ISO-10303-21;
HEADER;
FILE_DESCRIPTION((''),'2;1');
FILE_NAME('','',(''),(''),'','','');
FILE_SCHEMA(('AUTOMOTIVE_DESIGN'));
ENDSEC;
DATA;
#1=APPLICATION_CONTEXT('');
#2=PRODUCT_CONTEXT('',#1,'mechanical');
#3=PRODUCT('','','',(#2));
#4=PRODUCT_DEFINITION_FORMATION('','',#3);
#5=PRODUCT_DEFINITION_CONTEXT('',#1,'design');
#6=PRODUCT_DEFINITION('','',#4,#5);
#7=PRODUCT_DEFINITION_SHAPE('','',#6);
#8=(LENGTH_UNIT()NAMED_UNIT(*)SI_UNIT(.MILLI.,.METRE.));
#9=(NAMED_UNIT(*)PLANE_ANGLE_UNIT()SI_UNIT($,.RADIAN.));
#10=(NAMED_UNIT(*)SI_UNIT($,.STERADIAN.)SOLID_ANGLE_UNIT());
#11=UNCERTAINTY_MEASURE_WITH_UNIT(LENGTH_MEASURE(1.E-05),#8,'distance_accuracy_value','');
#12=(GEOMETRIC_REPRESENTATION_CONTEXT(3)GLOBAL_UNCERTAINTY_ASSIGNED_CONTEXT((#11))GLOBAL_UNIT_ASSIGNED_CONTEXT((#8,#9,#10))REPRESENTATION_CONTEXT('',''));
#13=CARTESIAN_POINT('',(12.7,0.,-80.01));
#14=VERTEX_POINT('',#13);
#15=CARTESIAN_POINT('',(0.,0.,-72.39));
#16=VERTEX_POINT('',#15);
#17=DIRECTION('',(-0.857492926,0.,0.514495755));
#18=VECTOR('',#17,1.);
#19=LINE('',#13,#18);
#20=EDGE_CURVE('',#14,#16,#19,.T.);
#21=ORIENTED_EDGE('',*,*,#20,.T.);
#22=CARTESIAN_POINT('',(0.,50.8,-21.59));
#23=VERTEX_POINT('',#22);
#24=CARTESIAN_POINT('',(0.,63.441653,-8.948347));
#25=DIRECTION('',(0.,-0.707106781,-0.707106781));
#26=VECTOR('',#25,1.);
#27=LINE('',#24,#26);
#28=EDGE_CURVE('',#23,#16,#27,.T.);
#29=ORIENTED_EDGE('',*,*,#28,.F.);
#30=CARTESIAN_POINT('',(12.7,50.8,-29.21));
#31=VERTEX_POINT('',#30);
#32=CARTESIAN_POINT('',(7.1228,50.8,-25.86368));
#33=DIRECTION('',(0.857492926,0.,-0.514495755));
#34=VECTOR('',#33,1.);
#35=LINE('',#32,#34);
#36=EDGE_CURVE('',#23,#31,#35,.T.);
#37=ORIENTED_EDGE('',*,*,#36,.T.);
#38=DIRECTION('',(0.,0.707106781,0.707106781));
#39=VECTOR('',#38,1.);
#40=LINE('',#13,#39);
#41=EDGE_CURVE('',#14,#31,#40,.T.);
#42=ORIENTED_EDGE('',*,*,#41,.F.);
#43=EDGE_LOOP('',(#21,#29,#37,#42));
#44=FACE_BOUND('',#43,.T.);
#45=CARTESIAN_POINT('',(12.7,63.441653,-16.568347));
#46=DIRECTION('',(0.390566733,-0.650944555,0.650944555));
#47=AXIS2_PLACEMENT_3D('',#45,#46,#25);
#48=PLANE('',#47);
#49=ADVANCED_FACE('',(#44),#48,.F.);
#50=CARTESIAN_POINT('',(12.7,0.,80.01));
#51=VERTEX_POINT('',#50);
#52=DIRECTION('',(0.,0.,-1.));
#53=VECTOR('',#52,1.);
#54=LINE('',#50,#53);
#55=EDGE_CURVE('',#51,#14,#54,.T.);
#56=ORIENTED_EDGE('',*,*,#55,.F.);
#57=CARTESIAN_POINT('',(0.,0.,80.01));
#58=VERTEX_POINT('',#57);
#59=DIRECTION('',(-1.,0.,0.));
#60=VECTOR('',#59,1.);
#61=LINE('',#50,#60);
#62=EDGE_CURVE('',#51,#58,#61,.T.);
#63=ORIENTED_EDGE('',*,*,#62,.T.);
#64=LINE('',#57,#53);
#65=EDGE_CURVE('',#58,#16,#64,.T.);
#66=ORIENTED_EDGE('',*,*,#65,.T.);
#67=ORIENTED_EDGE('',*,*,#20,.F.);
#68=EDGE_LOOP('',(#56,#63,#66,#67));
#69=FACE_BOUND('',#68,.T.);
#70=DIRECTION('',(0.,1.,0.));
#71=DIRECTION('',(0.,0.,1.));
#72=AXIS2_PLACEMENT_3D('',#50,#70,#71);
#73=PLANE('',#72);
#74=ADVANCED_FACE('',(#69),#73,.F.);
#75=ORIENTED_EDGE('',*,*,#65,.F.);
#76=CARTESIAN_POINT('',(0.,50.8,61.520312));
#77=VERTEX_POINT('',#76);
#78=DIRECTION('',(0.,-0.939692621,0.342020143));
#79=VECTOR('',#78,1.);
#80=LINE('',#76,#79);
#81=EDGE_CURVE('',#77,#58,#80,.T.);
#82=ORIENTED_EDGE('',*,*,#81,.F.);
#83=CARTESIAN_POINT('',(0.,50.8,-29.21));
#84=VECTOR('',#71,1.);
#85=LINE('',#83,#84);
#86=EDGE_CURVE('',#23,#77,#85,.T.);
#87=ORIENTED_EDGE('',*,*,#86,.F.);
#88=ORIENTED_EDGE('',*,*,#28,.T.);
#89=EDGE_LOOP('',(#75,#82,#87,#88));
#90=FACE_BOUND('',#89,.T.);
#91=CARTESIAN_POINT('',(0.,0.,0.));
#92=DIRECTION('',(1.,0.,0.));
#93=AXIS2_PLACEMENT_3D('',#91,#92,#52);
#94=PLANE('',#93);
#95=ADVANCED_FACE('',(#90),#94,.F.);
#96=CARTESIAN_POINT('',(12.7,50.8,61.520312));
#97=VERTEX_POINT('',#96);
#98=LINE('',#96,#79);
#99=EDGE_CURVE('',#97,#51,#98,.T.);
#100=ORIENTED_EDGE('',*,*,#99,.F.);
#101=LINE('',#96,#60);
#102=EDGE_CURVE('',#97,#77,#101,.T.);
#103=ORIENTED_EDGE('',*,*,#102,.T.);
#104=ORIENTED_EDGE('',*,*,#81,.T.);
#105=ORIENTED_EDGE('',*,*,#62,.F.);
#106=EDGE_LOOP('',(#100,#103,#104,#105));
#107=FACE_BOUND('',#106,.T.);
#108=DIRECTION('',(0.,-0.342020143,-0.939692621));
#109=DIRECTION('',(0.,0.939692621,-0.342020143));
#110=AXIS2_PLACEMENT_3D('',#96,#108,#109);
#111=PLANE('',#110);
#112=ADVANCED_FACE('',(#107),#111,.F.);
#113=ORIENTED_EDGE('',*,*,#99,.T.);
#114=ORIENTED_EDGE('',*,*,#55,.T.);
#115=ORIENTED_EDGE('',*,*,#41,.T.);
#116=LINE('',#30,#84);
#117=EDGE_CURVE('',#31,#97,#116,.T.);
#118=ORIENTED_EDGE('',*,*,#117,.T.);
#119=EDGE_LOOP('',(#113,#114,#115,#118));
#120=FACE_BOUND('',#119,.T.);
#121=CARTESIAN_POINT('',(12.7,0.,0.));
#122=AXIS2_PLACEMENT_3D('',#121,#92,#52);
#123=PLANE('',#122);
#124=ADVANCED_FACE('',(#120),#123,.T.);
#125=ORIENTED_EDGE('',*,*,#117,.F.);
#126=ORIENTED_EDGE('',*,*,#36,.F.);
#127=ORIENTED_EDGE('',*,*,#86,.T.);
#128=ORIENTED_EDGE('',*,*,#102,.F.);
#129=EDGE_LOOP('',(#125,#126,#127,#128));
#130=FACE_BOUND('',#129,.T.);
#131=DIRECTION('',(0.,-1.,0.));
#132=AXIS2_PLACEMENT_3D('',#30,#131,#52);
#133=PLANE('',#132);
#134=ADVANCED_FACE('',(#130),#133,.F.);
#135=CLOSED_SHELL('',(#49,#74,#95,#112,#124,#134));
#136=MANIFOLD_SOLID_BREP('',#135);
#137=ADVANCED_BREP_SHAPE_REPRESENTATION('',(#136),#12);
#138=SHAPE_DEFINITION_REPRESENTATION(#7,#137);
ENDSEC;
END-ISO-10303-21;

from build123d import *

# Parameters (mm, degrees)
BOSS_EXTRUDE1_DEPTH = 12.7
CUT_EXTRUDE3_DEPTH  = 101.600000001


with BuildPart() as part:
    # Sketch1 → Boss-Extrude1 (new body)
    with BuildSketch(Plane(origin=(0, 0, 0), x_dir=(0, 0, -1), z_dir=(1, 0, 0))):
        Polygon((-80.01, 0), (80.01, 0), (29.21, 50.8), (-61.520312099, 50.8), align=None)
    extrude(amount=BOSS_EXTRUDE1_DEPTH)

    # Sketch6 → Cut-Extrude3 (cut, along a direction that is not the sketch's normal)
    with BuildSketch(Plane.XZ):
        Polygon((0, -80.01), (12.7, -80.01), (0, -72.39), align=None)
    extrude(amount=-CUT_EXTRUDE3_DEPTH, dir=(0, -0.7071067811865436, -0.7071067811865515), mode=Mode.SUBTRACT)


solid = part.part
